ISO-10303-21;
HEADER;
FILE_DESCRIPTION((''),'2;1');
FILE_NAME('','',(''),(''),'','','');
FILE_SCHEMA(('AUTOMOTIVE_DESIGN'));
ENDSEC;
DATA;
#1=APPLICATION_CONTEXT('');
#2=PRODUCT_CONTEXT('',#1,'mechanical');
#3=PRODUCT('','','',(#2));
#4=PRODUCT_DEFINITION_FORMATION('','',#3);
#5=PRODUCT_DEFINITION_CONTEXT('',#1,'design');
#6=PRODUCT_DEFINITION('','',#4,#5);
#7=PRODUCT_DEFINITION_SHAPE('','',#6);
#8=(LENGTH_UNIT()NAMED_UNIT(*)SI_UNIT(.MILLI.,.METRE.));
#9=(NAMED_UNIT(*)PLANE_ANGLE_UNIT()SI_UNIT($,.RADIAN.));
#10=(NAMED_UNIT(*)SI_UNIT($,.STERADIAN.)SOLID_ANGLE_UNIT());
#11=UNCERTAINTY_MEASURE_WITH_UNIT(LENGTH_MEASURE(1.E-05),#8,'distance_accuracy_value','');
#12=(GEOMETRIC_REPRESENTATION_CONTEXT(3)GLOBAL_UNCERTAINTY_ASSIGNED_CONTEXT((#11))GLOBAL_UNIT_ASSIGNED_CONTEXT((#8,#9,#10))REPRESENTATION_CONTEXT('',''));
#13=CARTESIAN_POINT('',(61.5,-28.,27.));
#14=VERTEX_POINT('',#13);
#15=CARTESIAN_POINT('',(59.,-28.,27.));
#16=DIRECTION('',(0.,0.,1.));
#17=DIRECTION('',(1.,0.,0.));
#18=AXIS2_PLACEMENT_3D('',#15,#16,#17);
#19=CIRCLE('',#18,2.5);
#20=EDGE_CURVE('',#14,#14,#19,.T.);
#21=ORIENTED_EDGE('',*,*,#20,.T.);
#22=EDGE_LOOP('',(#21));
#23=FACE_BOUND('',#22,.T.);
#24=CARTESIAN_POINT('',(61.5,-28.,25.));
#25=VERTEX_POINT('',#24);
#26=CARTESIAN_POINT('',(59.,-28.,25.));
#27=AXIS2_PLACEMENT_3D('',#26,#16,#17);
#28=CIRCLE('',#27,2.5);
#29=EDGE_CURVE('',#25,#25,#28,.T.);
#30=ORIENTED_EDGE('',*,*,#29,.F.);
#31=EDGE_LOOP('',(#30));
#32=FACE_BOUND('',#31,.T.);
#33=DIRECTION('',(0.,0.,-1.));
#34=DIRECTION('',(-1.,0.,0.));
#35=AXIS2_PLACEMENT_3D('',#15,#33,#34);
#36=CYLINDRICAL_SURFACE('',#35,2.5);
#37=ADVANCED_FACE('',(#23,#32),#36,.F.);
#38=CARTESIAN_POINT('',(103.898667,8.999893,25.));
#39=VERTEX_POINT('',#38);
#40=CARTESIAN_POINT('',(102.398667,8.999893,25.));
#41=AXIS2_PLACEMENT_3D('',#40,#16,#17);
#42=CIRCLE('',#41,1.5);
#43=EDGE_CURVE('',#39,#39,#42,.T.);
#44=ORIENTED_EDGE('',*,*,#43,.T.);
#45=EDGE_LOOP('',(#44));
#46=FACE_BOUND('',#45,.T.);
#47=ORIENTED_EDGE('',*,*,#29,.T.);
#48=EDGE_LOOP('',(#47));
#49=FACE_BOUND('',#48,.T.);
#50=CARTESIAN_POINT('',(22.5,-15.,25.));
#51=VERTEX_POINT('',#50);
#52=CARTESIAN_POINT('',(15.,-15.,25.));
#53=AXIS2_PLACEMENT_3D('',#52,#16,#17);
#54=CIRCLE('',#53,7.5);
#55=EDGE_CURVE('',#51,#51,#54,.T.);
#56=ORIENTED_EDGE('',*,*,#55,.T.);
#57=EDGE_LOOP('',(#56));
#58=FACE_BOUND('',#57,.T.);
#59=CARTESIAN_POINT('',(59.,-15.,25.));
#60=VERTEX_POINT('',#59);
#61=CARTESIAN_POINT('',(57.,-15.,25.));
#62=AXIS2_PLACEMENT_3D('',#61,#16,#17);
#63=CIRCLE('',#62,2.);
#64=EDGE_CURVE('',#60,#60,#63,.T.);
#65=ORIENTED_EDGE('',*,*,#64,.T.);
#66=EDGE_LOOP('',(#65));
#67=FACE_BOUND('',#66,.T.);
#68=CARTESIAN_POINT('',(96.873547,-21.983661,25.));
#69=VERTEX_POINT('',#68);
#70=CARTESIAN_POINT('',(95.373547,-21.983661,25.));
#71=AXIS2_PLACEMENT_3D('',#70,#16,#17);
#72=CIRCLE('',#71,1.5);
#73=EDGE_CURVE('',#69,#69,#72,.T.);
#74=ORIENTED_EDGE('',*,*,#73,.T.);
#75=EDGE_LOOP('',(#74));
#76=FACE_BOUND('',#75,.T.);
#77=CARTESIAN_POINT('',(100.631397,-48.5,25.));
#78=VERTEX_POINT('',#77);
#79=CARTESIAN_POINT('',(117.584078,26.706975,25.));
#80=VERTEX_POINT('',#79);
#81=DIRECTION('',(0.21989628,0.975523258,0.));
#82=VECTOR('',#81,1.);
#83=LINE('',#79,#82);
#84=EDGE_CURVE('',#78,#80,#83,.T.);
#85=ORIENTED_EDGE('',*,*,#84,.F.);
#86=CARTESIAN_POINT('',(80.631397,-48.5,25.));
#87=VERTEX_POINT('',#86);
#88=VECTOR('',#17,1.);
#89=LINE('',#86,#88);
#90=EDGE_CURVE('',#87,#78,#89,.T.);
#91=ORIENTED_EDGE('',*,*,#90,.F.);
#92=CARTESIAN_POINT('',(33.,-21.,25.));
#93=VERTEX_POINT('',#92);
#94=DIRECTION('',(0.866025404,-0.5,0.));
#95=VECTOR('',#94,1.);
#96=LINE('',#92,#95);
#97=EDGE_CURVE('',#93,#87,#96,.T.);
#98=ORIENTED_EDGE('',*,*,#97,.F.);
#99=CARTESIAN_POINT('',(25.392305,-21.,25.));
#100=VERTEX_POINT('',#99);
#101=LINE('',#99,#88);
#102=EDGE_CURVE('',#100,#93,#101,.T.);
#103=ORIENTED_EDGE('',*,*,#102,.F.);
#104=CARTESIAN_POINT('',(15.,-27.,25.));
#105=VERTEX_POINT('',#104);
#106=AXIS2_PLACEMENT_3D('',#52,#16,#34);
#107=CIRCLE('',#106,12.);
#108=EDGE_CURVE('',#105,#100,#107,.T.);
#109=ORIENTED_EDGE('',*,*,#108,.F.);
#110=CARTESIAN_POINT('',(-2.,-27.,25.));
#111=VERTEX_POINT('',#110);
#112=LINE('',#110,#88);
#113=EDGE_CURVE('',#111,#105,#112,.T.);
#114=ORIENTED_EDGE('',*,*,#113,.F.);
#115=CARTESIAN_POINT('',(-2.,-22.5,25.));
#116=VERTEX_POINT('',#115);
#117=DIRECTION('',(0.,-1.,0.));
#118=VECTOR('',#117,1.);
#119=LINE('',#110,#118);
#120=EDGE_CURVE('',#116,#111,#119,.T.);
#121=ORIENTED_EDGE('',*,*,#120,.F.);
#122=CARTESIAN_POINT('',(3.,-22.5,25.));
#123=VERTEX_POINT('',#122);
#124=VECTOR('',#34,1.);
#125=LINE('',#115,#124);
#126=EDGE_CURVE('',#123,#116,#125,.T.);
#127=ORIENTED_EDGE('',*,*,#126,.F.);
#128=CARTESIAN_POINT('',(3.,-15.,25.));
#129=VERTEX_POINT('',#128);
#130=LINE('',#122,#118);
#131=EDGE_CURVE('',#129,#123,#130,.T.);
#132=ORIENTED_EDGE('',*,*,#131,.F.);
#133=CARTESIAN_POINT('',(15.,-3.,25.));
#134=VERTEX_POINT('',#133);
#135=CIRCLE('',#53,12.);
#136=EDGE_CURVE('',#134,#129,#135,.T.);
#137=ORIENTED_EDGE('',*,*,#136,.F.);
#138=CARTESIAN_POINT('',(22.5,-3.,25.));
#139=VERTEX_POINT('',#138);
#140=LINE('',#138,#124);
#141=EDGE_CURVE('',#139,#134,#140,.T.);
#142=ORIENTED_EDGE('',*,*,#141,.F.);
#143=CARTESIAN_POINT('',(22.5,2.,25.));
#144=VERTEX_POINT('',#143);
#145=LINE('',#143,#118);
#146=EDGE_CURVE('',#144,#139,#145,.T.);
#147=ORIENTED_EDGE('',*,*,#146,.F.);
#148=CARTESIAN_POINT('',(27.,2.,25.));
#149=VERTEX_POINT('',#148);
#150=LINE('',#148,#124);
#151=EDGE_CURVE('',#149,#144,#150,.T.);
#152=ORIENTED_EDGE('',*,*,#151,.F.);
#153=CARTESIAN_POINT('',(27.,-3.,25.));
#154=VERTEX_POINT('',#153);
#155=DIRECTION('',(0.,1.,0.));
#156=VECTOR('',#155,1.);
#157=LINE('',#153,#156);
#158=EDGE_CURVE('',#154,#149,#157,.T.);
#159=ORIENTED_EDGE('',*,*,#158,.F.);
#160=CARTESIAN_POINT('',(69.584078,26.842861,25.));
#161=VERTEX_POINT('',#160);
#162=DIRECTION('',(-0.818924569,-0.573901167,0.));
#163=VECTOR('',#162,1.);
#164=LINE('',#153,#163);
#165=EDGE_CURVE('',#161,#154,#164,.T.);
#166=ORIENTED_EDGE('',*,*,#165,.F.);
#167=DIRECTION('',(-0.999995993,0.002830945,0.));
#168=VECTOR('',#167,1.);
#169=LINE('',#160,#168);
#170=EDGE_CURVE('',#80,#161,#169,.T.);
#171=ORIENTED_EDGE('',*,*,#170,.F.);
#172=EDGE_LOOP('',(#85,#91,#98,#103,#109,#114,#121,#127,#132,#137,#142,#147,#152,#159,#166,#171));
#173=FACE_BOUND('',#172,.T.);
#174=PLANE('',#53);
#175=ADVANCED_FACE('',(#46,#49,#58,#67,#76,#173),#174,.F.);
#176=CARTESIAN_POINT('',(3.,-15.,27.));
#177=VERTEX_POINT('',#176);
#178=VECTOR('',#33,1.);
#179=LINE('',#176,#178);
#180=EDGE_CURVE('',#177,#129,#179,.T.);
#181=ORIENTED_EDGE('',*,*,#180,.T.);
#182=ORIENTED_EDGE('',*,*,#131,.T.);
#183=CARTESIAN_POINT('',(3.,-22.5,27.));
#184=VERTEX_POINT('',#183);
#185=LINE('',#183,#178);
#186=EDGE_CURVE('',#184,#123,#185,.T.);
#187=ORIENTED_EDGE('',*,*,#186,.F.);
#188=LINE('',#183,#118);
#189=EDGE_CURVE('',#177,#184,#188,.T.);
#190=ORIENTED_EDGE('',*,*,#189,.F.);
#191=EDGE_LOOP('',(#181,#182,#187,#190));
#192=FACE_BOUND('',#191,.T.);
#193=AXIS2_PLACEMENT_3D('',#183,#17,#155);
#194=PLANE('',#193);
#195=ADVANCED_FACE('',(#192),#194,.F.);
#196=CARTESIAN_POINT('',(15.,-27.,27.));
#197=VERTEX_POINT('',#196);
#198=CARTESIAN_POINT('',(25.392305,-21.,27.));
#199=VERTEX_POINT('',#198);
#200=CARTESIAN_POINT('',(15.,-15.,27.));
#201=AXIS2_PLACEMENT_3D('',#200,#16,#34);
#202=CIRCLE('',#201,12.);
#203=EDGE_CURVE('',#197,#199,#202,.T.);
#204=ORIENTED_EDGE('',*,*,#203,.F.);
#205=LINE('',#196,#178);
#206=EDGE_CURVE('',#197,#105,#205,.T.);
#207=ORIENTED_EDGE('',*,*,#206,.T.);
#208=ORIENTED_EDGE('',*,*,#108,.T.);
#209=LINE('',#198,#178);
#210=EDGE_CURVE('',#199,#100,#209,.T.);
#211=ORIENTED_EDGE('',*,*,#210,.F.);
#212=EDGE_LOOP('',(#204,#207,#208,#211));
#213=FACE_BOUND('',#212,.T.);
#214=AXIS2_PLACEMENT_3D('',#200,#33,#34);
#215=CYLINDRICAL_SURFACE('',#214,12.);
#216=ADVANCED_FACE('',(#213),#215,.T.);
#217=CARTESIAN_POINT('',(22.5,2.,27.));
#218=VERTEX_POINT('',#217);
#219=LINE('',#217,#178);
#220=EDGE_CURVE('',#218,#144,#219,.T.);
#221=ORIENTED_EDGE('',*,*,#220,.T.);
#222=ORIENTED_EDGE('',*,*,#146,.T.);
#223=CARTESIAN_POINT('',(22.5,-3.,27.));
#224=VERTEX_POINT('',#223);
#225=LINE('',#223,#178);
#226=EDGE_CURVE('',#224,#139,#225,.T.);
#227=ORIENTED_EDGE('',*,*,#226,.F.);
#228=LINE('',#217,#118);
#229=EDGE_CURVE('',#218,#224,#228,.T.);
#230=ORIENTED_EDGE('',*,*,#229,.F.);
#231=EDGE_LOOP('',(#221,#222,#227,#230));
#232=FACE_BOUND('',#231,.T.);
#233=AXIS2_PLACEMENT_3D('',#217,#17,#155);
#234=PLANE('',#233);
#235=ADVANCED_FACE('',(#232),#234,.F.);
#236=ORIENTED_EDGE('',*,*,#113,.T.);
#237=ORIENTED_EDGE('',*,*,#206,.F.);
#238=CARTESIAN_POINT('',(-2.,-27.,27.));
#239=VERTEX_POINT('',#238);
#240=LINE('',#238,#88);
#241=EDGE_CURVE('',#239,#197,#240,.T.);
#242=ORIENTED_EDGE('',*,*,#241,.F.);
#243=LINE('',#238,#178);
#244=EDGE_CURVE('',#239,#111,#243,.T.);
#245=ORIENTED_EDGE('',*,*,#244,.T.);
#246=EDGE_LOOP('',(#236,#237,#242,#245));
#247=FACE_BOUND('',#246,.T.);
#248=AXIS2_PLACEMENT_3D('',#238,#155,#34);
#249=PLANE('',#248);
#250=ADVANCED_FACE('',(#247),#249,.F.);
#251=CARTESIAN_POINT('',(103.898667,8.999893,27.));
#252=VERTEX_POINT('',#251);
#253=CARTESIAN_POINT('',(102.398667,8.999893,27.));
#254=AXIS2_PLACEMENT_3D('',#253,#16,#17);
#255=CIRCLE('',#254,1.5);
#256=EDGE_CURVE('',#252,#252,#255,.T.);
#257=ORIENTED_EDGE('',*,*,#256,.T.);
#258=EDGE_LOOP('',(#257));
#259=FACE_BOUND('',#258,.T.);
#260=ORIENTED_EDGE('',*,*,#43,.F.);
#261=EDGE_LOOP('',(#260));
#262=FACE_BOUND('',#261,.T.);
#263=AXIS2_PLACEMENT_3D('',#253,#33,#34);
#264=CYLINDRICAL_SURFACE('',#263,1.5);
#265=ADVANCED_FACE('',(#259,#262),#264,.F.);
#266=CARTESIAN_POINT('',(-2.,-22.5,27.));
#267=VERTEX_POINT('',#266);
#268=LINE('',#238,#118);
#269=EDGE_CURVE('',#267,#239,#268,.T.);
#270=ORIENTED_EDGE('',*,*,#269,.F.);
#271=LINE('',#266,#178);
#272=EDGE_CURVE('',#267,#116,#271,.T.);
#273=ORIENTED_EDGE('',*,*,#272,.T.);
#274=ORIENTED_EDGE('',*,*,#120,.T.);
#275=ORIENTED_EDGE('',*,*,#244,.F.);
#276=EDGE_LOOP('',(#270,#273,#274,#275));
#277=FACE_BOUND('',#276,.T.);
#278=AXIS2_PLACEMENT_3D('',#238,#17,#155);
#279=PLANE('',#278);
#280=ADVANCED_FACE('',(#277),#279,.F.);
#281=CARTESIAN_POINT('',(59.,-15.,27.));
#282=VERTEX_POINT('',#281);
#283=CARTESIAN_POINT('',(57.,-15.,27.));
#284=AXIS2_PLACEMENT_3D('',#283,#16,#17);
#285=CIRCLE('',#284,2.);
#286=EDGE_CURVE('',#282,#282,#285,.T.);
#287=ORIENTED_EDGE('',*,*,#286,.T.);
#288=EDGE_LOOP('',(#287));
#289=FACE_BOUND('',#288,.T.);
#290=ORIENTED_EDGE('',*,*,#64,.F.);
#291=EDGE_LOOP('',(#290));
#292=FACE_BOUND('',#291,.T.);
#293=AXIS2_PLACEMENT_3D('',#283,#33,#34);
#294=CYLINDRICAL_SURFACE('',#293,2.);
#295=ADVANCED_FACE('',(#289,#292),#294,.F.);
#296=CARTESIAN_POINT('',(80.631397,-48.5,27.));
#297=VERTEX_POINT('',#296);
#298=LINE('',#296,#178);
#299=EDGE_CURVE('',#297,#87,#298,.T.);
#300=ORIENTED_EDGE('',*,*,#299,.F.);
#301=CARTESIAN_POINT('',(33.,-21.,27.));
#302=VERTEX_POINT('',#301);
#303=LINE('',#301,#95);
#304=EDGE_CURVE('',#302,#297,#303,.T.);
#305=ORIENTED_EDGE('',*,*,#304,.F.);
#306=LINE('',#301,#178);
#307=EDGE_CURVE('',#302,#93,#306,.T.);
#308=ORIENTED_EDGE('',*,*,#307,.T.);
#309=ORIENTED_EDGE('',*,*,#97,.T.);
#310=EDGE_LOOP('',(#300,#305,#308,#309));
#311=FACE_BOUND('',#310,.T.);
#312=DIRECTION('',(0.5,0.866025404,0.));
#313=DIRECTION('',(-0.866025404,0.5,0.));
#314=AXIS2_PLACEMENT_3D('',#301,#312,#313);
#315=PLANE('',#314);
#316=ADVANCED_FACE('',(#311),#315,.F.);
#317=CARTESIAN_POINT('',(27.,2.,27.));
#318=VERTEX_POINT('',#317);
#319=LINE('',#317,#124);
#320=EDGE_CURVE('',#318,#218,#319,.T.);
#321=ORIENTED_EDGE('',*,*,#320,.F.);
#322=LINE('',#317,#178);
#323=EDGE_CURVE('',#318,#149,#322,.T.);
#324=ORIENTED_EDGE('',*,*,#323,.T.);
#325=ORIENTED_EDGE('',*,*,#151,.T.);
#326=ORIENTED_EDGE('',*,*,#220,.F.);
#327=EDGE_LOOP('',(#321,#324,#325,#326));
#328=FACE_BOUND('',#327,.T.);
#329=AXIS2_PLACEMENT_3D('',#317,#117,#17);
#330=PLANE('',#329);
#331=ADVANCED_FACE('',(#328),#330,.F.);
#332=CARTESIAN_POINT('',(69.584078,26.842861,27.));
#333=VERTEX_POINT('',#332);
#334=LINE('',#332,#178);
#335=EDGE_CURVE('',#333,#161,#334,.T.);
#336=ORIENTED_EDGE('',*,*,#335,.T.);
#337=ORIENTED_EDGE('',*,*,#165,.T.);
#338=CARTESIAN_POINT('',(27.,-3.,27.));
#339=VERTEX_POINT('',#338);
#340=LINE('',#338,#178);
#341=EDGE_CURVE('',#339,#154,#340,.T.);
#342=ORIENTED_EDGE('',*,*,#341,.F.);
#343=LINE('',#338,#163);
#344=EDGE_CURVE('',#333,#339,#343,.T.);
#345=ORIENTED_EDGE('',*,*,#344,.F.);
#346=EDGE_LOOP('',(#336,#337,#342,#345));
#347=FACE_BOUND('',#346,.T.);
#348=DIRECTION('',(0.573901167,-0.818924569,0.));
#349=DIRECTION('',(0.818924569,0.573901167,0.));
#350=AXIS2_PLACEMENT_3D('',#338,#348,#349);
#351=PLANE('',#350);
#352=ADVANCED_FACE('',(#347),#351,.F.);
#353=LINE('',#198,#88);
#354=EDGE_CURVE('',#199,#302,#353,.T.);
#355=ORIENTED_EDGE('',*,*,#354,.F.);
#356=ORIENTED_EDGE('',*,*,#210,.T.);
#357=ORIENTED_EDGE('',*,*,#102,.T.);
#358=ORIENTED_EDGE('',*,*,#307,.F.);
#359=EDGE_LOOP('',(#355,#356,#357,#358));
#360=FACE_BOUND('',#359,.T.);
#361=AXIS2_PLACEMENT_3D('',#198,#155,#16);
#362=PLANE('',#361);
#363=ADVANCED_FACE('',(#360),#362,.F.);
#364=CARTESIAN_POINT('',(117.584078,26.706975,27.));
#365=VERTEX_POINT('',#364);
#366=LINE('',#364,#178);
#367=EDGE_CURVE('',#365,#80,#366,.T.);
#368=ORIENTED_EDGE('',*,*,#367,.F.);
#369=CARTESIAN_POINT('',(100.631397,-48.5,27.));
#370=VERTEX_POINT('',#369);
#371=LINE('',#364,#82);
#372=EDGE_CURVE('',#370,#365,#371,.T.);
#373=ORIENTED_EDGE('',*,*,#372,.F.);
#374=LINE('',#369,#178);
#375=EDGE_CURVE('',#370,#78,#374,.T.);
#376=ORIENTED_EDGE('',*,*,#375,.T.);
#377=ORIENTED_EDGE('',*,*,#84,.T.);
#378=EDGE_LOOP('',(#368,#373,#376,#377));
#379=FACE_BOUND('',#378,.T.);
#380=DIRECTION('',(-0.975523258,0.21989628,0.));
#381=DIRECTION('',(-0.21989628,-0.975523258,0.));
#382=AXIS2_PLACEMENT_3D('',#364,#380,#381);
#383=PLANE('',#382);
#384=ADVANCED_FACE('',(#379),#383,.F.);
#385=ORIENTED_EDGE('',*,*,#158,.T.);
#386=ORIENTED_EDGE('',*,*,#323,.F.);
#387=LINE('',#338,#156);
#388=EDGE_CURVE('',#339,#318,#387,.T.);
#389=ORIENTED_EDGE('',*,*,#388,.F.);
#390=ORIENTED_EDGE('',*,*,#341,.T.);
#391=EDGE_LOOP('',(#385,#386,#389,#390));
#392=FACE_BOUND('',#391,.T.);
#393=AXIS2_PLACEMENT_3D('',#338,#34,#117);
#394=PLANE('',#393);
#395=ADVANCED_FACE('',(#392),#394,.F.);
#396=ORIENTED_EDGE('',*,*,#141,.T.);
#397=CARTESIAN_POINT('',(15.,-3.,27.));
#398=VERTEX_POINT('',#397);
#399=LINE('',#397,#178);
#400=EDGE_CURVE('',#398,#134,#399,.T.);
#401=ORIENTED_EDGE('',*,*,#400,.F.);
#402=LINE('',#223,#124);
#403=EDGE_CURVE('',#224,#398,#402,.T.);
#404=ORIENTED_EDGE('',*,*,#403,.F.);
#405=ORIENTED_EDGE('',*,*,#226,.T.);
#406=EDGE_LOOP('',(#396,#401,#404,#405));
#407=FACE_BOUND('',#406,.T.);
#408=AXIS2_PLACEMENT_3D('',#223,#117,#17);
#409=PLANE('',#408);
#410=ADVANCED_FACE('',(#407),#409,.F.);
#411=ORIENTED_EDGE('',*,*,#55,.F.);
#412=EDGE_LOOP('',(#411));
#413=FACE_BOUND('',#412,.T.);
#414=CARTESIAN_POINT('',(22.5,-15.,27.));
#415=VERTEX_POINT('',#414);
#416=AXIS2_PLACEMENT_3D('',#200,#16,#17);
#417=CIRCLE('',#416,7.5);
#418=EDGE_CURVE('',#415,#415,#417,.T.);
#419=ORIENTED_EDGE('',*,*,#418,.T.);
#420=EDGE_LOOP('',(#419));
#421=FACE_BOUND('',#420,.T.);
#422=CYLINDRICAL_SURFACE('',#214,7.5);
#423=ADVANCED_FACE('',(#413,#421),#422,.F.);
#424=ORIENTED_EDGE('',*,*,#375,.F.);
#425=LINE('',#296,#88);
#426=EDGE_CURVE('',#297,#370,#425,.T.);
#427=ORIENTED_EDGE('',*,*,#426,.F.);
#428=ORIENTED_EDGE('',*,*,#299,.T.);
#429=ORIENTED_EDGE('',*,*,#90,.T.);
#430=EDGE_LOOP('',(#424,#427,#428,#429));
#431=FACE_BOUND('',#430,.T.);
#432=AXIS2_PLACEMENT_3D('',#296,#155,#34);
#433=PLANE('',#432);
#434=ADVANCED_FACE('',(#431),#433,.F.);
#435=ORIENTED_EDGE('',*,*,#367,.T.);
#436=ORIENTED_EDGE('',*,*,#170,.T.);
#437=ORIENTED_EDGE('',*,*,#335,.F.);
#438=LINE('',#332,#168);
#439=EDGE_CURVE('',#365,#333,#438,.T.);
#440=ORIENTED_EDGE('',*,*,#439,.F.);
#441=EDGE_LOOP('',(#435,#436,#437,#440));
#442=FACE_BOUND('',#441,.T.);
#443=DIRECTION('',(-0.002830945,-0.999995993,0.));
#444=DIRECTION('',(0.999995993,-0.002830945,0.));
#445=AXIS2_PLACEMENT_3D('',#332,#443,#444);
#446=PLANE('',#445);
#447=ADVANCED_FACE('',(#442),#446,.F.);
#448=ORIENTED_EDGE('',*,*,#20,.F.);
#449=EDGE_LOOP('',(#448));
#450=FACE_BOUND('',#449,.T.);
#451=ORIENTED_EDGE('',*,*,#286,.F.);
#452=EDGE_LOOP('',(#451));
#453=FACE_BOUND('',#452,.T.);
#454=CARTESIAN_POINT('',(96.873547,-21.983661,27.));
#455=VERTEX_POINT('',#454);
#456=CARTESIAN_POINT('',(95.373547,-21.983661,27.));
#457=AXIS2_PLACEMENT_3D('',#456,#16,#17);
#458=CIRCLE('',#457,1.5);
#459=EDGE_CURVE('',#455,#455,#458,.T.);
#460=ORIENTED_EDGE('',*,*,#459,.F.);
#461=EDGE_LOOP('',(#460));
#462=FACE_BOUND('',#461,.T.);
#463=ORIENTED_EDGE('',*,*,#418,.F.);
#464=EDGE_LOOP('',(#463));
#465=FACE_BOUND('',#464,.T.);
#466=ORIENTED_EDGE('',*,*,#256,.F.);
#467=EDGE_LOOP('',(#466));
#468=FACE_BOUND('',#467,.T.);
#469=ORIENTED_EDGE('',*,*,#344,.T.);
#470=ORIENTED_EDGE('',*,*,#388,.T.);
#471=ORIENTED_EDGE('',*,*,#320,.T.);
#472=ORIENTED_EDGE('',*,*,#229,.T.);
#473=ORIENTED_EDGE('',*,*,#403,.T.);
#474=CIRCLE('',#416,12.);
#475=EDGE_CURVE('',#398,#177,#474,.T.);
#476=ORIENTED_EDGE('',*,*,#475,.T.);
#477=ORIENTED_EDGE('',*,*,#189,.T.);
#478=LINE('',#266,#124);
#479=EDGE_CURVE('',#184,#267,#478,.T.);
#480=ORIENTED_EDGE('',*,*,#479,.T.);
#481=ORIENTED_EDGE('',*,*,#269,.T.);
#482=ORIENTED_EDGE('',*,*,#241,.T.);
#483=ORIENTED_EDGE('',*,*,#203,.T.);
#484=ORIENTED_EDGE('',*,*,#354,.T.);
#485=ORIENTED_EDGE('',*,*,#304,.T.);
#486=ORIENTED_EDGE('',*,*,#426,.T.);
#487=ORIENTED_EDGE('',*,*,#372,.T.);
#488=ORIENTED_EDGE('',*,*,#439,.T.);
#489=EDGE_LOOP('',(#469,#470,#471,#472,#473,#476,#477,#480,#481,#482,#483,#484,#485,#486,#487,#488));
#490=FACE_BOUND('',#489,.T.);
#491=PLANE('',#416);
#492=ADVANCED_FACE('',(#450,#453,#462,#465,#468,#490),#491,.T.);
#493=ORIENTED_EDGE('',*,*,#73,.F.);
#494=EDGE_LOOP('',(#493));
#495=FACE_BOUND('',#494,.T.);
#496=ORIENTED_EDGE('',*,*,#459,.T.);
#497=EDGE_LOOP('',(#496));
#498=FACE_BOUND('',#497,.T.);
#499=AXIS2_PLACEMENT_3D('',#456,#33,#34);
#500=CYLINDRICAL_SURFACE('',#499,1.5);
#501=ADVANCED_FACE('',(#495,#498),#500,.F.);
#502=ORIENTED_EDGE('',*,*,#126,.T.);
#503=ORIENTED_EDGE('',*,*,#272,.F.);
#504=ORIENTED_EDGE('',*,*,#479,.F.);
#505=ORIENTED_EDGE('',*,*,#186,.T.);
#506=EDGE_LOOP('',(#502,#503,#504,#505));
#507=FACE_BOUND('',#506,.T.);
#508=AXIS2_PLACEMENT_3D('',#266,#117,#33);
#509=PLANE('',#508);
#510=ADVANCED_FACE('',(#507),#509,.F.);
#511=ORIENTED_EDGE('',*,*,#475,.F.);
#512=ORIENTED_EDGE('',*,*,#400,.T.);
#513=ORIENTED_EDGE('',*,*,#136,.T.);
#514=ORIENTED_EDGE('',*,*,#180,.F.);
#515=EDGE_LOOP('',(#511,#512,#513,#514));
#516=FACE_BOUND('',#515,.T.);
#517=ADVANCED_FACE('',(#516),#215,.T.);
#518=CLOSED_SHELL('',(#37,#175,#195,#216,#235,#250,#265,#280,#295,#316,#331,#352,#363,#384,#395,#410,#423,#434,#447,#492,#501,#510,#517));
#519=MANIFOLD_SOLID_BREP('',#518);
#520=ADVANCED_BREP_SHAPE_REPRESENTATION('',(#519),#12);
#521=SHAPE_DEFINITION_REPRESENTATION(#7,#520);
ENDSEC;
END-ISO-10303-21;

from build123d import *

# Parameters (mm, degrees)
EXTRUDE_START   = 25
SKETCH_2_R      = 2
SKETCH_2_R_2    = 7.5
SKETCH_2_R_3    = 2.5
SKETCH_2_R_4    = 1.5
EXTRUDE_1_DEPTH = 2


with BuildPart() as part:
    # 草图2 → 凸台-拉伸1 (new body)
    with BuildSketch(Plane.XY.offset(EXTRUDE_START)):
        with BuildLine():
            Line((27, -3), (27, 2))
            Line((27, 2), (22.5, 2))
            Line((22.5, 2), (22.5, -3))
            Line((22.5, -3), (15, -3))
            ThreePointArc((15, -3), (6.514718626, -6.514718626), (3, -15))
            Line((3, -15), (3, -22.5))
            Line((3, -22.5), (-2, -22.5))
            Line((-2, -22.5), (-2, -27))
            Line((-2, -27), (15, -27))
            ThreePointArc((15, -27), (21, -25.392304845), (25.392304845, -21))
            Line((25.392304845, -21), (33, -21))
            Line((33, -21), (80.631397208, -48.5))
            Line((80.631397208, -48.5), (100.631397208, -48.5))
            Line((100.631397208, -48.5), (117.584077602, 26.706974803))
            Line((117.584077602, 26.706974803), (69.584077602, 26.842860701))
            Line((69.584077602, 26.842860701), (27, -3))
        make_face()
        with Locations((57, -15)):
            Circle(SKETCH_2_R, mode=Mode.SUBTRACT)
        with Locations((15, -15)):
            Circle(SKETCH_2_R_2, mode=Mode.SUBTRACT)
        with Locations((59, -28)):
            Circle(SKETCH_2_R_3, mode=Mode.SUBTRACT)
        with Locations((102.39866677, 8.999892909)):
            Circle(SKETCH_2_R_4, mode=Mode.SUBTRACT)
        with Locations((95.373546557, -21.983660567)):
            Circle(SKETCH_2_R_4, mode=Mode.SUBTRACT)
    extrude(amount=EXTRUDE_1_DEPTH)


solid = part.part
